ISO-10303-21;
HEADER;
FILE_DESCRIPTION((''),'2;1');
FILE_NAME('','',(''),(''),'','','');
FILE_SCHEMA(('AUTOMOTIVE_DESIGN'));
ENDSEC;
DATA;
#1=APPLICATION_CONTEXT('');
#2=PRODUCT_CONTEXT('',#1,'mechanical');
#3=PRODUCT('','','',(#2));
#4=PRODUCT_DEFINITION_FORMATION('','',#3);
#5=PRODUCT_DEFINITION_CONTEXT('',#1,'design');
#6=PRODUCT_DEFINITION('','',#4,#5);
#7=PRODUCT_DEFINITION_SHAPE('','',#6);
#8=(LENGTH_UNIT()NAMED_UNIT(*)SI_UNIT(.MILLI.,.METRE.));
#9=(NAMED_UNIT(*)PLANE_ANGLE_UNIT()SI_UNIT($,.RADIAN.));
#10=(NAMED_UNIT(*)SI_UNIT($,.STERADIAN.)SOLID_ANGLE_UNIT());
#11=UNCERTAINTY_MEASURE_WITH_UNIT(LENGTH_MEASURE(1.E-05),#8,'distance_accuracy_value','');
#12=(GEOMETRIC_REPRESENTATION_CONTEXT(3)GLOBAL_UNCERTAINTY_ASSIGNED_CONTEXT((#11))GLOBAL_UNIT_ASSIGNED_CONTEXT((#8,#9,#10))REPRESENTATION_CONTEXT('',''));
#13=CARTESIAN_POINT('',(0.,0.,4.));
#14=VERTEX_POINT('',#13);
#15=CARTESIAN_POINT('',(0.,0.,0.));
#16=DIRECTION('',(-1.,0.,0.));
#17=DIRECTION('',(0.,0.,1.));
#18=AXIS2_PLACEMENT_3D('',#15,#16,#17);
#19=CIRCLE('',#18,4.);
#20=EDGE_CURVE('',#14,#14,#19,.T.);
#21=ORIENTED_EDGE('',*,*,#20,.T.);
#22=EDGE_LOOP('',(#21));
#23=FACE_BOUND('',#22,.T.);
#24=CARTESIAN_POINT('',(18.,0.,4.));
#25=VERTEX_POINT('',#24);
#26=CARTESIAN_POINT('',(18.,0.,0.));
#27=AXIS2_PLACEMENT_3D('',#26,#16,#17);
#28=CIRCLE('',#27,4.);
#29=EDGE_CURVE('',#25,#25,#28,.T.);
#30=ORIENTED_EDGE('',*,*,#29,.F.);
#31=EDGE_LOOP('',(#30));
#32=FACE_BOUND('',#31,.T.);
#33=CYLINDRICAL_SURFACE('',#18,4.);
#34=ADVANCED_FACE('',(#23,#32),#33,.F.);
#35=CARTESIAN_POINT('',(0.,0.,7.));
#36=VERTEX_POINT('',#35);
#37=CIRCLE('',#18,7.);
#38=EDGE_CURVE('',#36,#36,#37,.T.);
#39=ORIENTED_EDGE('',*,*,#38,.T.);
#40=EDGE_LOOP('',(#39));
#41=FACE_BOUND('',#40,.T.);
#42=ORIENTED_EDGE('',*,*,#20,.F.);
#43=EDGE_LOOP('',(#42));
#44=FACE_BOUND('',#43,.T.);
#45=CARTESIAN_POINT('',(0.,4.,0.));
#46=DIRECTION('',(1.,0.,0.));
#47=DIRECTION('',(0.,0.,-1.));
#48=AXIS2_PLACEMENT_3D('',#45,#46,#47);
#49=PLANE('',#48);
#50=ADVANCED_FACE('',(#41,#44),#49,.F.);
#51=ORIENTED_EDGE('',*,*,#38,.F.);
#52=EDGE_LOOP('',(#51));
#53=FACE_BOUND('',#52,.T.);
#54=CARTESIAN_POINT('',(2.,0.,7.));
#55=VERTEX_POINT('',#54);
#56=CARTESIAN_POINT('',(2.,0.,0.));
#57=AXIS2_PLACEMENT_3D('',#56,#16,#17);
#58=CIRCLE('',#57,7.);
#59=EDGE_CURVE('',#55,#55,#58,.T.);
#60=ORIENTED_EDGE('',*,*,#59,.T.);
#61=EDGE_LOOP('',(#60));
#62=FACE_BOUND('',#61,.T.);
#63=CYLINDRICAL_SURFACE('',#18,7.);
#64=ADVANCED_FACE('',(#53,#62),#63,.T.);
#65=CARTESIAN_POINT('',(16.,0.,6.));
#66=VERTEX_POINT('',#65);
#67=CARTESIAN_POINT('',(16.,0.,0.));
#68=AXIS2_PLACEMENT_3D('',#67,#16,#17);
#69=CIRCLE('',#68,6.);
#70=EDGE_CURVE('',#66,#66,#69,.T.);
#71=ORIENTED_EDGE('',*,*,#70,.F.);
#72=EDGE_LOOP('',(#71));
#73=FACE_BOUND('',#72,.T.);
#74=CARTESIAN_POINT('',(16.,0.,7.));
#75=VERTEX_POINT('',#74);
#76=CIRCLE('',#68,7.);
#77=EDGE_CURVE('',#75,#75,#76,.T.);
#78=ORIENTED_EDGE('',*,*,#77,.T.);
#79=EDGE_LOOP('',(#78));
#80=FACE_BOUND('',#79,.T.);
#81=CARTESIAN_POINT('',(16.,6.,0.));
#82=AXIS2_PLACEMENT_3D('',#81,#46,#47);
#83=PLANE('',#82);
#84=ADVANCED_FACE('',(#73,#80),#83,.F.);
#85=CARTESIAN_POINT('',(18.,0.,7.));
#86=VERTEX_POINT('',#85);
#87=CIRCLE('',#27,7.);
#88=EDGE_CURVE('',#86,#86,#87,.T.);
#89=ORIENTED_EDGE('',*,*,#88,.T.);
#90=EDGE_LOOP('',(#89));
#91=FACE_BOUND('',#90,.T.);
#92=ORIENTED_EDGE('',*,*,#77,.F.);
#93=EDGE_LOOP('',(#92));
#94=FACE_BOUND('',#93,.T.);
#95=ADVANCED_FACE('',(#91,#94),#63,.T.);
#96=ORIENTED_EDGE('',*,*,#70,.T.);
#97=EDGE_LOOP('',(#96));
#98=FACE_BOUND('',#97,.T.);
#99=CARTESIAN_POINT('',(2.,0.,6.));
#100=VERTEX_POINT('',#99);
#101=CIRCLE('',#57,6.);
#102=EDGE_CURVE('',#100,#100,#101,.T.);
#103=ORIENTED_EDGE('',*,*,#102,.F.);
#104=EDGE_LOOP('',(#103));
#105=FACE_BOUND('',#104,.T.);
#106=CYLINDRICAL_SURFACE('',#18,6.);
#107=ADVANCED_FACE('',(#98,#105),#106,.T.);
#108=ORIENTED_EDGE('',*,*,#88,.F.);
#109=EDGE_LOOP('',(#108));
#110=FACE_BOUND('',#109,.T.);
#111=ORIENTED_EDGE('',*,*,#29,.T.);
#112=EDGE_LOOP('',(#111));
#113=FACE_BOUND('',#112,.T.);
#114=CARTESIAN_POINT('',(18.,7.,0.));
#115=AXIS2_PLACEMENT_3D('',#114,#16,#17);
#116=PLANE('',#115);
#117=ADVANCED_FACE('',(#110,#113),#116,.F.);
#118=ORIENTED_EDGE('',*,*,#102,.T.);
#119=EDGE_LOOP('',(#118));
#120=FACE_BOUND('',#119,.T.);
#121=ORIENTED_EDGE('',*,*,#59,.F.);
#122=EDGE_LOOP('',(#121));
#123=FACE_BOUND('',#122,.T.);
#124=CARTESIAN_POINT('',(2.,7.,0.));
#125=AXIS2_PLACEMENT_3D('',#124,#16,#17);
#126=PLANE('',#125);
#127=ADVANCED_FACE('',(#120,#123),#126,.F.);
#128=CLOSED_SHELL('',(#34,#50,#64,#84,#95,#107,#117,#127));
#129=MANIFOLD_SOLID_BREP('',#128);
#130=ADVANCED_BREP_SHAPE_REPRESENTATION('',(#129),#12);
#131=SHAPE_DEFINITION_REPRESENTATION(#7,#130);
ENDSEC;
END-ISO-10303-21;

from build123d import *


with BuildPart() as part:
    # Sketch1 → Revolve2 (revolve)
    with BuildSketch(Plane.XY, mode=Mode.PRIVATE) as revolve2_sk:
        Polygon((0, 4), (0, 7), (2, 7), (2, 6), (16, 6), (16, 7), (18, 7), (18, 4), align=None)
    revolve(revolve2_sk.sketch.rotate(Axis((0, 0, 0), (1, 0, 0)), 90), axis=Axis((0, 0, 0), (1, 0, 0)))


solid = part.part
